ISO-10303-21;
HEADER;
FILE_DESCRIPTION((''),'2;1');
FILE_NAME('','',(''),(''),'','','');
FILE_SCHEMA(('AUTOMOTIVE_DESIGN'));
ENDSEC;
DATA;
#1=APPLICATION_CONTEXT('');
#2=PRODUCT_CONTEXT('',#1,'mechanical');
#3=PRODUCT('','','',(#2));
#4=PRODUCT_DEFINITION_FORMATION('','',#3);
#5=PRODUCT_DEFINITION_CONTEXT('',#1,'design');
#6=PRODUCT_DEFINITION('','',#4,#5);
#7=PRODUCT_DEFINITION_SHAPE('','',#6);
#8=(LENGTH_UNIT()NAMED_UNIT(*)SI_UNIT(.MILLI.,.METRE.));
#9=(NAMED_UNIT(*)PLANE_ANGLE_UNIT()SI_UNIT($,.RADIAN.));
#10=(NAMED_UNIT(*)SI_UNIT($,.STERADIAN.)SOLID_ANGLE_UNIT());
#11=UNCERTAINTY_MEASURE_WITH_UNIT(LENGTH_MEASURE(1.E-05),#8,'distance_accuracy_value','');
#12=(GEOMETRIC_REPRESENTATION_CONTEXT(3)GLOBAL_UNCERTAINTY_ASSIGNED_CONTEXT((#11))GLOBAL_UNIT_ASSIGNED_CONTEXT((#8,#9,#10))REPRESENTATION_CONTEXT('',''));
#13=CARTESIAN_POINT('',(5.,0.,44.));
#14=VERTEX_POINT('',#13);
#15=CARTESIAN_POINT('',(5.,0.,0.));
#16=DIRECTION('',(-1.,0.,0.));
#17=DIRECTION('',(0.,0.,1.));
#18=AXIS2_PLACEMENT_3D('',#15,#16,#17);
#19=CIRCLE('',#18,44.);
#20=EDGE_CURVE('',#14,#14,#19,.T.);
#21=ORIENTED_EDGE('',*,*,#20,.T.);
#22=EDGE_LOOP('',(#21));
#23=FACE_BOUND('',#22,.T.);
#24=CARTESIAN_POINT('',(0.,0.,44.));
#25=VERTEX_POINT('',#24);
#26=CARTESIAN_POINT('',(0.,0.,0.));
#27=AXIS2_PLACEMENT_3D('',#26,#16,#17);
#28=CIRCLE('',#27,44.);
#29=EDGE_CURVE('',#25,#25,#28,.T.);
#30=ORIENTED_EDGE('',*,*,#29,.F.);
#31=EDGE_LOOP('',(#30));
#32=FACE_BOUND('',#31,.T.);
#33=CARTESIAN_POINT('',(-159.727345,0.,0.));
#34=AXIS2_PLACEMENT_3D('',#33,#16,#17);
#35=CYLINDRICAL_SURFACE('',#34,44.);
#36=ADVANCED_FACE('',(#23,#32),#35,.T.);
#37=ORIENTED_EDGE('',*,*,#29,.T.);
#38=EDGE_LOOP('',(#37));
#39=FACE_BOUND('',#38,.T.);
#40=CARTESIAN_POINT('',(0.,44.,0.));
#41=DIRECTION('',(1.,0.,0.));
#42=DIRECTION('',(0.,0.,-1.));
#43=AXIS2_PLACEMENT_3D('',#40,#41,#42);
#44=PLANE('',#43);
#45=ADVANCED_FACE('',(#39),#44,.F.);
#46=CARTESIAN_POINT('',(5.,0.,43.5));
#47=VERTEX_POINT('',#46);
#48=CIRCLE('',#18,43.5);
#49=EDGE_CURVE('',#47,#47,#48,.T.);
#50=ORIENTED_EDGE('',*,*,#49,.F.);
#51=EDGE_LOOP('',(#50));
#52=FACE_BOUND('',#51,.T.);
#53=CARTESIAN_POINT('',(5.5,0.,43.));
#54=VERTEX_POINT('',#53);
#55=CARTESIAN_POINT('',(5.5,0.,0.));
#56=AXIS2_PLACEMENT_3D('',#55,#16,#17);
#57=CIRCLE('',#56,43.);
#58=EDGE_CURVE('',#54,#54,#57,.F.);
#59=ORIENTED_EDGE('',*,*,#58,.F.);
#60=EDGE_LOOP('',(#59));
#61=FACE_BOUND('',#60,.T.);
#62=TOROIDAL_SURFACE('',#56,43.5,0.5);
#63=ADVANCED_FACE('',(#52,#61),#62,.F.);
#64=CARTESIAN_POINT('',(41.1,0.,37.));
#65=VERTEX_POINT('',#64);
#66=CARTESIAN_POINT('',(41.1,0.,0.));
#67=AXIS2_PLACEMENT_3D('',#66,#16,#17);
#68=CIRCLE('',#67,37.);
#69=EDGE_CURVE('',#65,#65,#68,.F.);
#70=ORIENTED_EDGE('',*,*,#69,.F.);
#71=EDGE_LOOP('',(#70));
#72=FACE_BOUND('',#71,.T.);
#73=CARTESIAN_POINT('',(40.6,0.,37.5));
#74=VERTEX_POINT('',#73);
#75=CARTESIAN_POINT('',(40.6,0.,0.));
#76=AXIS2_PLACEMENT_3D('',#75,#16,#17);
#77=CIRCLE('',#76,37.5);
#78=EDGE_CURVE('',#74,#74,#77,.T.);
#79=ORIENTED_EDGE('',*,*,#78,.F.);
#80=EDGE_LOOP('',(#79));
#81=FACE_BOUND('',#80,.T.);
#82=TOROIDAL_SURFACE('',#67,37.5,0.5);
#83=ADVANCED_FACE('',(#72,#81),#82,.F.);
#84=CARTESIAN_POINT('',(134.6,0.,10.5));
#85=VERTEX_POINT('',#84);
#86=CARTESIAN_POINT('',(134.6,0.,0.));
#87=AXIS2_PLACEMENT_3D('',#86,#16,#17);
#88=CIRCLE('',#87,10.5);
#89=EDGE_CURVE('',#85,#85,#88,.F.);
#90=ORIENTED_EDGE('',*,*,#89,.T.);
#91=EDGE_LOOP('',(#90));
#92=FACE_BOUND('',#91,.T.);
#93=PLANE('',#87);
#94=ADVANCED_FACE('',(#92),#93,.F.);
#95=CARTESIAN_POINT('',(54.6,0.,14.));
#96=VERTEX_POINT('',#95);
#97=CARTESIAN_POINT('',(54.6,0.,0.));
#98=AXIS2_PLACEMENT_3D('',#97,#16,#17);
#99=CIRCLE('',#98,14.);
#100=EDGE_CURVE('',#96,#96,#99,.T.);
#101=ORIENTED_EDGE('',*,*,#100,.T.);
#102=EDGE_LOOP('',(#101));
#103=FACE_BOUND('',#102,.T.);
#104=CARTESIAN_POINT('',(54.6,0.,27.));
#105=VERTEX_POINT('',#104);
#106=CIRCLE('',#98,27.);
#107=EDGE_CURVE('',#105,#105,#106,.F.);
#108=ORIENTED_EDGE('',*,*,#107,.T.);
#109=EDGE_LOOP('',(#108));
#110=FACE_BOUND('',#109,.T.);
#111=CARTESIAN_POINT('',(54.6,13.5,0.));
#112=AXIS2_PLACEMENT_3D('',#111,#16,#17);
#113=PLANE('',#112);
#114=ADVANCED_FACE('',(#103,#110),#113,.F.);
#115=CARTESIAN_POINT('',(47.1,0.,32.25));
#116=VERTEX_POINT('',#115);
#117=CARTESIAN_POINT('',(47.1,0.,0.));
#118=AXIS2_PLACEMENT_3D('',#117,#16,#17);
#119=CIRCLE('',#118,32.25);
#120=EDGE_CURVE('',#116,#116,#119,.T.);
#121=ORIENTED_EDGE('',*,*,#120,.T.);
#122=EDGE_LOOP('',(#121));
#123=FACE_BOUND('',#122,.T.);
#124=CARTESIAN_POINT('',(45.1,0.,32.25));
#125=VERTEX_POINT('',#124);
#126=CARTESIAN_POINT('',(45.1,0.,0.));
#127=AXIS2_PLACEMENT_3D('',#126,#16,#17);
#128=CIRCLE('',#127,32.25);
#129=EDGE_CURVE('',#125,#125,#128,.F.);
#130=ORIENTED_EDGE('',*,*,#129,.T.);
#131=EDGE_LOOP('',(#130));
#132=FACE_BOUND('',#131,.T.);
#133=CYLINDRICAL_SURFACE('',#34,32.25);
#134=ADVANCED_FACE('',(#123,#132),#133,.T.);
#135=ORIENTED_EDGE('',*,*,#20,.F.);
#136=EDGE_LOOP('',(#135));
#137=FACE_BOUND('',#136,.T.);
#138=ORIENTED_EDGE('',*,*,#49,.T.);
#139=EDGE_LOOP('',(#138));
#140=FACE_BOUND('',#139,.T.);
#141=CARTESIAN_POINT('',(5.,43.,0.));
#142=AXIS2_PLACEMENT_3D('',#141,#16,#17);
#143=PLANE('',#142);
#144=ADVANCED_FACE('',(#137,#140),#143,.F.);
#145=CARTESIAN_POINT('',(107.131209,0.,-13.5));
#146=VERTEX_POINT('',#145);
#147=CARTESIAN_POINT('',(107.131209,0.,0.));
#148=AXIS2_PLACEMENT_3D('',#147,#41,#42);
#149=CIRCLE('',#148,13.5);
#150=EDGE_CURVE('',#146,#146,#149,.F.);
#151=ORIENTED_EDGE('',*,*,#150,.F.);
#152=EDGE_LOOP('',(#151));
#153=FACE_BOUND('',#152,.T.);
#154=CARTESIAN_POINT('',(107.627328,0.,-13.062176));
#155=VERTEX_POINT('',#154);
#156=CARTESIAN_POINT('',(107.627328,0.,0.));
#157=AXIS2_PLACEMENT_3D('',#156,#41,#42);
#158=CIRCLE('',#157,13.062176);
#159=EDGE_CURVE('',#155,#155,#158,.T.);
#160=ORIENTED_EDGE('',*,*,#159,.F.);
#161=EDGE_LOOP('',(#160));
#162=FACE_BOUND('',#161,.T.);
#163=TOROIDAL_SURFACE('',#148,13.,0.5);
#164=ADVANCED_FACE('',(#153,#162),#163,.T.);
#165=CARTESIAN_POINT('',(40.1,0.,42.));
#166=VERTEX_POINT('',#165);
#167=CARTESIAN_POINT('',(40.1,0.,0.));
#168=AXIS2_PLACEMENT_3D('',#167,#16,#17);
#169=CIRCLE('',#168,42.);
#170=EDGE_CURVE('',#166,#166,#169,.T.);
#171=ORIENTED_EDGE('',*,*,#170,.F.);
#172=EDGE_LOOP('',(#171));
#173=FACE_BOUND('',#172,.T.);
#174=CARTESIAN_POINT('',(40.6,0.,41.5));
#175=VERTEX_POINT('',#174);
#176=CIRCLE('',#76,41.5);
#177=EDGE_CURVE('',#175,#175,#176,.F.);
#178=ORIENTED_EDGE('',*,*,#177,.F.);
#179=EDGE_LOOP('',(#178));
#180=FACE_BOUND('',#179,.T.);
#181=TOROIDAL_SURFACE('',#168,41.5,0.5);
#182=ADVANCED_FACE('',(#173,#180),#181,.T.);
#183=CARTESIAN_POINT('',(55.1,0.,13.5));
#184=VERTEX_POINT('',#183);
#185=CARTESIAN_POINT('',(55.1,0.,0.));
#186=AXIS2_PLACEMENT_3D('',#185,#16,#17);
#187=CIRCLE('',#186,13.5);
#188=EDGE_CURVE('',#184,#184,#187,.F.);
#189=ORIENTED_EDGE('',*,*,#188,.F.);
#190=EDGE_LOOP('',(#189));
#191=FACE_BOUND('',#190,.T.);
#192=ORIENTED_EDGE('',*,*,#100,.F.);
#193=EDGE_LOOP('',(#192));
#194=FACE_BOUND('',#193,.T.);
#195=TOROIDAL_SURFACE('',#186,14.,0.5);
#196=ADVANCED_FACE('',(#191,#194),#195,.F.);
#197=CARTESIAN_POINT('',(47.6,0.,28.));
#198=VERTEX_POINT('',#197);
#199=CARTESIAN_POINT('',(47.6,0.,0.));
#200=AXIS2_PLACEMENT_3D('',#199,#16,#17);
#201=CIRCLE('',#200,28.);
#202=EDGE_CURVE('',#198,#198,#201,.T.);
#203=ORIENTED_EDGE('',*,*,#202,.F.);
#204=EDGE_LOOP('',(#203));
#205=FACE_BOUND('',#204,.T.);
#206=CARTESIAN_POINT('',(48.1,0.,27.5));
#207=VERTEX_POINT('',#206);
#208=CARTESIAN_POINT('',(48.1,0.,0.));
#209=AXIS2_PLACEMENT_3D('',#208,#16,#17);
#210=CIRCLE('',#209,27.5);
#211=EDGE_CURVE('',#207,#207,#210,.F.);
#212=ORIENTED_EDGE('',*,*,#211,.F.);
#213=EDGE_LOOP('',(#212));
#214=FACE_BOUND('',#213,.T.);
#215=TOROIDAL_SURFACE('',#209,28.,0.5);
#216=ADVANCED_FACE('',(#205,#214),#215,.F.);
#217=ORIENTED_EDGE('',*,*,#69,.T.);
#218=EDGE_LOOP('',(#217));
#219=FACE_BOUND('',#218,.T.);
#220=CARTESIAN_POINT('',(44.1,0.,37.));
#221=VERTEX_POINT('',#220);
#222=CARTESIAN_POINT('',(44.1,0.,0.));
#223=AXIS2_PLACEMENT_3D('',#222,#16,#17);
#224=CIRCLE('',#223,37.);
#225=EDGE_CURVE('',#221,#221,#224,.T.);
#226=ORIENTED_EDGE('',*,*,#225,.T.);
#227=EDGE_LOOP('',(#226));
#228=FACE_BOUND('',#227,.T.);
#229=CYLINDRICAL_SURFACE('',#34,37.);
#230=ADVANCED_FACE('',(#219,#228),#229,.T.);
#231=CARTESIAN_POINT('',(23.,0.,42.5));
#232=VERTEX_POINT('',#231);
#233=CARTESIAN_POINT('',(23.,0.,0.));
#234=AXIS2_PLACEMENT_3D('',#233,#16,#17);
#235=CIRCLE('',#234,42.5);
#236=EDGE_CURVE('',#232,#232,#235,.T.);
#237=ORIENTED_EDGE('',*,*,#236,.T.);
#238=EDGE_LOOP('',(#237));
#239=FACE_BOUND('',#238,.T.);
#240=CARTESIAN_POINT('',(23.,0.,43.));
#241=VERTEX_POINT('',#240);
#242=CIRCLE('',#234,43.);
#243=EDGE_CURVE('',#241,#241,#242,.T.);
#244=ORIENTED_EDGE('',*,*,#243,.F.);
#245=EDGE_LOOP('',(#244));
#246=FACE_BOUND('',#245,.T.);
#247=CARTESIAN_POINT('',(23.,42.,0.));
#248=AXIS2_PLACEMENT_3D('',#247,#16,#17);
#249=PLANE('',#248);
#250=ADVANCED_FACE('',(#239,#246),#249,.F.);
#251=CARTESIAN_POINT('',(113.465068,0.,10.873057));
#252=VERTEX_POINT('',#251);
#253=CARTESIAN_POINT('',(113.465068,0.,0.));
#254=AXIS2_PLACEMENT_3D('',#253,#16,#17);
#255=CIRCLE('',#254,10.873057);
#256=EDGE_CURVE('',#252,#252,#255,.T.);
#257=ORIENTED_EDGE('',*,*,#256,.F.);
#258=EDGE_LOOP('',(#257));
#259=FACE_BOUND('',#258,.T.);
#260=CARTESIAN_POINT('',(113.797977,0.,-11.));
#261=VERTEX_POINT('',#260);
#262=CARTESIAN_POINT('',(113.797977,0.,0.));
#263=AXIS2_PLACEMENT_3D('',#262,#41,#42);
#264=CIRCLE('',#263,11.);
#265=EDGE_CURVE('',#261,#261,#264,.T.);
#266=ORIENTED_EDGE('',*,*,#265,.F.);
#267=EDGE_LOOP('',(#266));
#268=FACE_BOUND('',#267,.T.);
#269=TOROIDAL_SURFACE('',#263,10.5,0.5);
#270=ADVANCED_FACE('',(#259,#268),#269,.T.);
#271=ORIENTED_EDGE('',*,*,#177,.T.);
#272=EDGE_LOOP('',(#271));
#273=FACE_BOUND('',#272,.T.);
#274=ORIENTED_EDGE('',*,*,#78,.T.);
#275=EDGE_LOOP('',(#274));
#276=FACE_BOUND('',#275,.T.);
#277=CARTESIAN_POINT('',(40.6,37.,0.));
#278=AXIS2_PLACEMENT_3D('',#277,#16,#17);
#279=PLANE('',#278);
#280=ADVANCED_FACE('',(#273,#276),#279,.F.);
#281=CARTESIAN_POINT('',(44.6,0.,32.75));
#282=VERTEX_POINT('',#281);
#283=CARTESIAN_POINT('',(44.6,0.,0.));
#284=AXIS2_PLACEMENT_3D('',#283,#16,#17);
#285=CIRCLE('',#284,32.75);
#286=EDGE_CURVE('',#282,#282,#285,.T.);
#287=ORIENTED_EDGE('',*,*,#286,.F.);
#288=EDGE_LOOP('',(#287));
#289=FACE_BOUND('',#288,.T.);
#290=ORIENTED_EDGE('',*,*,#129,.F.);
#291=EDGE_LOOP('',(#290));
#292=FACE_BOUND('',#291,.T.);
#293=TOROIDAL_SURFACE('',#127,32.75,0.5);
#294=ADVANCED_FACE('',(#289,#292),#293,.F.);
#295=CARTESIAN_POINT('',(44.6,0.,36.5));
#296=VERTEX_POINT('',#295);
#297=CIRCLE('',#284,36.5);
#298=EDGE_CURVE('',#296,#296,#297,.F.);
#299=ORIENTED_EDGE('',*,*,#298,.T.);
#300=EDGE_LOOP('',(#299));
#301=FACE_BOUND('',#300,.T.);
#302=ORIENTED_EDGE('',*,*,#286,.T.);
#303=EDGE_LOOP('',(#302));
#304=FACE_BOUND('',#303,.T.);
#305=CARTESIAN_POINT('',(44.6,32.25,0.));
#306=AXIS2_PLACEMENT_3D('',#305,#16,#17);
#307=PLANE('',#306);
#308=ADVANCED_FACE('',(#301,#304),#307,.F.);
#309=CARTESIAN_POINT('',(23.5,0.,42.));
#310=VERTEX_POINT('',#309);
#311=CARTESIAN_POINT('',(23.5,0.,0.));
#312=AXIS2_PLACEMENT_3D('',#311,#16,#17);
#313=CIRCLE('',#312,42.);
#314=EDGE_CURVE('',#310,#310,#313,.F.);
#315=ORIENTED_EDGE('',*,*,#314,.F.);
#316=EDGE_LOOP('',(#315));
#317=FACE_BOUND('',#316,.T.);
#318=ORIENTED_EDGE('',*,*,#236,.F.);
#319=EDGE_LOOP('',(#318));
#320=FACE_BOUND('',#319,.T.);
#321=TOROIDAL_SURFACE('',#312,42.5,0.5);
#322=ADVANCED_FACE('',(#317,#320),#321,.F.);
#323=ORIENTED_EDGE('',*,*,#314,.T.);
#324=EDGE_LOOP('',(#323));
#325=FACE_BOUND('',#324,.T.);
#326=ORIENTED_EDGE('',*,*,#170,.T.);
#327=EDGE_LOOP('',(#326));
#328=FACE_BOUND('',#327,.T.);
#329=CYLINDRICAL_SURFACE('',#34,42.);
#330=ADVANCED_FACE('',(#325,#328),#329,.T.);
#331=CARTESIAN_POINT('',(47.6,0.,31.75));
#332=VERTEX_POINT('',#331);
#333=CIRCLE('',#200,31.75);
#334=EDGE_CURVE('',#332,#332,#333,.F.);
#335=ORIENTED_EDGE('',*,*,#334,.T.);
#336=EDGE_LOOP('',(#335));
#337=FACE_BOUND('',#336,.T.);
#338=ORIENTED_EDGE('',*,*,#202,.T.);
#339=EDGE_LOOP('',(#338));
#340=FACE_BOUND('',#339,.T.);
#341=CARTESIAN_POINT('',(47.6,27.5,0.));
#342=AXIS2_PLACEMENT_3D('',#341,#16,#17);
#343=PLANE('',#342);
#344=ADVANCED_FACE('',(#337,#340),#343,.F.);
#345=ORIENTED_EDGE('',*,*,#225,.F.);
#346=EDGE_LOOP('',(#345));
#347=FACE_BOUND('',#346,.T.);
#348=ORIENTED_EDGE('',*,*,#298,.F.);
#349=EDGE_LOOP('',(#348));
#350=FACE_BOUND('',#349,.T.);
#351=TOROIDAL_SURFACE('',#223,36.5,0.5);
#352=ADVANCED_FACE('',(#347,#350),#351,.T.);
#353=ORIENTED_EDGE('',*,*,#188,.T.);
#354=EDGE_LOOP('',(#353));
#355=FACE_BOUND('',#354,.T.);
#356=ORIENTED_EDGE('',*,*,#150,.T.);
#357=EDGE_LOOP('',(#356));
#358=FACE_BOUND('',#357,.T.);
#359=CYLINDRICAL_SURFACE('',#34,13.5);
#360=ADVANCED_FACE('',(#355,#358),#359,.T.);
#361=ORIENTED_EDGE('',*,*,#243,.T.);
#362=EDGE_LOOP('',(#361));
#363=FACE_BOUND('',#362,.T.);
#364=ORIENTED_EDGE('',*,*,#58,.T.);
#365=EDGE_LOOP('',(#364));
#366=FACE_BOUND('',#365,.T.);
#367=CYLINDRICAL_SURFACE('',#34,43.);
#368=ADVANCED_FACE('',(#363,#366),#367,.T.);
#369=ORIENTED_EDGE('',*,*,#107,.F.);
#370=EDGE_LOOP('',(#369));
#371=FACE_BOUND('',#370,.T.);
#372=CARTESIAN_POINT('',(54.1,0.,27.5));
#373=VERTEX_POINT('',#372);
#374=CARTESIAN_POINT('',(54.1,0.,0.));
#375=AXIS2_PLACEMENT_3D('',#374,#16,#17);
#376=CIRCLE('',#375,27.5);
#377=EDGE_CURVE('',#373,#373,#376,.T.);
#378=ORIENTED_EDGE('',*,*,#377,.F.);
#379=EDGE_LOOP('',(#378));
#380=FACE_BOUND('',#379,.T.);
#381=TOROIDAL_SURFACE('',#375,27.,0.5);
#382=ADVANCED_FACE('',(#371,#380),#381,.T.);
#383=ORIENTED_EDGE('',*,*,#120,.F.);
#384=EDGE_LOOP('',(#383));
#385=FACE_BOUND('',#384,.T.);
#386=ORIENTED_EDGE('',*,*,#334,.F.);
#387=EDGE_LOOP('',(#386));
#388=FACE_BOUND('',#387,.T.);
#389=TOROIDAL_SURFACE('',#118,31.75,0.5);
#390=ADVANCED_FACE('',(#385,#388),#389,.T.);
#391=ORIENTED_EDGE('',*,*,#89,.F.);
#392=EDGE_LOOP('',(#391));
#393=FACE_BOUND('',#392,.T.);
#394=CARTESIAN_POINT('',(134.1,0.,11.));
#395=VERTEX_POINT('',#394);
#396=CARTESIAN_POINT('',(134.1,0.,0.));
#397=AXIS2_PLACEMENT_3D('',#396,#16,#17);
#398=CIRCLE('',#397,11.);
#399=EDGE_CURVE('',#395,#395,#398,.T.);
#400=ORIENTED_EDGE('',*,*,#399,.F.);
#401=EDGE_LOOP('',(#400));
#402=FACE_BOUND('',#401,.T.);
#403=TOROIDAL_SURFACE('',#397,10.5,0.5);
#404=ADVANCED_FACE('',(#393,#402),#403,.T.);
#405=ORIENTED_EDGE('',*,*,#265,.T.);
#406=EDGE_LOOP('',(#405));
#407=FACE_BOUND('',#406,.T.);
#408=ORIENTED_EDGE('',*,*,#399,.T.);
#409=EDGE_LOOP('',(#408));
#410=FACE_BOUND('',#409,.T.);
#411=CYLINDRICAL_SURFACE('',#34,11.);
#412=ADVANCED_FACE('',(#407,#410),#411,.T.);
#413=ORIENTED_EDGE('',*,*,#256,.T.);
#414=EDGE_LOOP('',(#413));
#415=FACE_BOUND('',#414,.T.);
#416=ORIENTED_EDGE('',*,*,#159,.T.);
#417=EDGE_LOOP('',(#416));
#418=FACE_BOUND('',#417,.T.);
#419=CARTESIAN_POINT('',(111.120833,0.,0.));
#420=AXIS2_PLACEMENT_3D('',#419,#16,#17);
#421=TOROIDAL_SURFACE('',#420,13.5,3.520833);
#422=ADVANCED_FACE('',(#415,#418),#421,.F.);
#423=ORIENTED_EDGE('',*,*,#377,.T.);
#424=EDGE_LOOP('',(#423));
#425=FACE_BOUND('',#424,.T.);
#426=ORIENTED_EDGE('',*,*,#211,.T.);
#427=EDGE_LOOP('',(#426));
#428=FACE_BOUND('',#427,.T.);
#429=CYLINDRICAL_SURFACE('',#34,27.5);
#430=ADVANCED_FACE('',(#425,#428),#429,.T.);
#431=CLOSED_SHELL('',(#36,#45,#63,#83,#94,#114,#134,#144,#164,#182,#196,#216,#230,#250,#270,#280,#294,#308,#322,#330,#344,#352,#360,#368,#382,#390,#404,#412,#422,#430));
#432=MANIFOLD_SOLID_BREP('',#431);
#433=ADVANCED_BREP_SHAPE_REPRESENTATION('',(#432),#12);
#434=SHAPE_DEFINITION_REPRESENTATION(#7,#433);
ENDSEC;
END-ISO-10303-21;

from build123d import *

# Parameters (mm, degrees)
FILLET1_R = 0.5


with BuildPart() as part:
    # Sketch1 → Revolve1 (revolve)
    with BuildSketch(Plane.XY):
        with BuildLine():
            Line((134.6, 0), (134.6, 11))
            Line((134.6, 11), (113.6, 11))
            ThreePointArc((113.6, 11), (109.766666667, 10.25), (107.6, 13.5))
            Line((107.6, 13.5), (54.6, 13.5))
            Line((54.6, 13.5), (54.6, 27.5))
            Line((54.6, 27.5), (47.6, 27.5))
            Line((47.6, 27.5), (47.6, 32.25))
            Line((47.6, 32.25), (44.6, 32.25))
            Line((44.6, 32.25), (44.6, 37))
            Line((44.6, 37), (40.6, 37))
            Line((40.6, 37), (40.6, 42))
            Line((40.6, 42), (23, 42))
            Line((23, 42), (23, 43))
            Line((23, 43), (5, 43))
            Line((5, 43), (5, 44))
            Line((5, 44), (0, 44))
            Line((0, 44), (0, 0))
            Line((0, 0), (134.6, 0))
        make_face()
    revolve(axis=Axis((-159.727345132, 0, 0), (1, 0, 0)))

    # Fillet1
    fillet1_edges = [part.edges().sort_by_distance(p)[0] for p in [
        (5, -43, 0),
        (23, -42, 0),
        (40.6, -42, 0),
        (40.6, -37, 0),
        (44.6, -37, 0),
        (44.6, -32.25, 0),
        (47.6, -32.25, 0),
        (47.6, -27.5, 0),
        (54.6, -27.5, 0),
        (54.6, -13.5, 0),
        (107.6, -13.5, 0),
        (113.6, -11, 0),
        (134.6, -11, 0),
    ]]
    fillet(fillet1_edges, radius=FILLET1_R)


solid = part.part
